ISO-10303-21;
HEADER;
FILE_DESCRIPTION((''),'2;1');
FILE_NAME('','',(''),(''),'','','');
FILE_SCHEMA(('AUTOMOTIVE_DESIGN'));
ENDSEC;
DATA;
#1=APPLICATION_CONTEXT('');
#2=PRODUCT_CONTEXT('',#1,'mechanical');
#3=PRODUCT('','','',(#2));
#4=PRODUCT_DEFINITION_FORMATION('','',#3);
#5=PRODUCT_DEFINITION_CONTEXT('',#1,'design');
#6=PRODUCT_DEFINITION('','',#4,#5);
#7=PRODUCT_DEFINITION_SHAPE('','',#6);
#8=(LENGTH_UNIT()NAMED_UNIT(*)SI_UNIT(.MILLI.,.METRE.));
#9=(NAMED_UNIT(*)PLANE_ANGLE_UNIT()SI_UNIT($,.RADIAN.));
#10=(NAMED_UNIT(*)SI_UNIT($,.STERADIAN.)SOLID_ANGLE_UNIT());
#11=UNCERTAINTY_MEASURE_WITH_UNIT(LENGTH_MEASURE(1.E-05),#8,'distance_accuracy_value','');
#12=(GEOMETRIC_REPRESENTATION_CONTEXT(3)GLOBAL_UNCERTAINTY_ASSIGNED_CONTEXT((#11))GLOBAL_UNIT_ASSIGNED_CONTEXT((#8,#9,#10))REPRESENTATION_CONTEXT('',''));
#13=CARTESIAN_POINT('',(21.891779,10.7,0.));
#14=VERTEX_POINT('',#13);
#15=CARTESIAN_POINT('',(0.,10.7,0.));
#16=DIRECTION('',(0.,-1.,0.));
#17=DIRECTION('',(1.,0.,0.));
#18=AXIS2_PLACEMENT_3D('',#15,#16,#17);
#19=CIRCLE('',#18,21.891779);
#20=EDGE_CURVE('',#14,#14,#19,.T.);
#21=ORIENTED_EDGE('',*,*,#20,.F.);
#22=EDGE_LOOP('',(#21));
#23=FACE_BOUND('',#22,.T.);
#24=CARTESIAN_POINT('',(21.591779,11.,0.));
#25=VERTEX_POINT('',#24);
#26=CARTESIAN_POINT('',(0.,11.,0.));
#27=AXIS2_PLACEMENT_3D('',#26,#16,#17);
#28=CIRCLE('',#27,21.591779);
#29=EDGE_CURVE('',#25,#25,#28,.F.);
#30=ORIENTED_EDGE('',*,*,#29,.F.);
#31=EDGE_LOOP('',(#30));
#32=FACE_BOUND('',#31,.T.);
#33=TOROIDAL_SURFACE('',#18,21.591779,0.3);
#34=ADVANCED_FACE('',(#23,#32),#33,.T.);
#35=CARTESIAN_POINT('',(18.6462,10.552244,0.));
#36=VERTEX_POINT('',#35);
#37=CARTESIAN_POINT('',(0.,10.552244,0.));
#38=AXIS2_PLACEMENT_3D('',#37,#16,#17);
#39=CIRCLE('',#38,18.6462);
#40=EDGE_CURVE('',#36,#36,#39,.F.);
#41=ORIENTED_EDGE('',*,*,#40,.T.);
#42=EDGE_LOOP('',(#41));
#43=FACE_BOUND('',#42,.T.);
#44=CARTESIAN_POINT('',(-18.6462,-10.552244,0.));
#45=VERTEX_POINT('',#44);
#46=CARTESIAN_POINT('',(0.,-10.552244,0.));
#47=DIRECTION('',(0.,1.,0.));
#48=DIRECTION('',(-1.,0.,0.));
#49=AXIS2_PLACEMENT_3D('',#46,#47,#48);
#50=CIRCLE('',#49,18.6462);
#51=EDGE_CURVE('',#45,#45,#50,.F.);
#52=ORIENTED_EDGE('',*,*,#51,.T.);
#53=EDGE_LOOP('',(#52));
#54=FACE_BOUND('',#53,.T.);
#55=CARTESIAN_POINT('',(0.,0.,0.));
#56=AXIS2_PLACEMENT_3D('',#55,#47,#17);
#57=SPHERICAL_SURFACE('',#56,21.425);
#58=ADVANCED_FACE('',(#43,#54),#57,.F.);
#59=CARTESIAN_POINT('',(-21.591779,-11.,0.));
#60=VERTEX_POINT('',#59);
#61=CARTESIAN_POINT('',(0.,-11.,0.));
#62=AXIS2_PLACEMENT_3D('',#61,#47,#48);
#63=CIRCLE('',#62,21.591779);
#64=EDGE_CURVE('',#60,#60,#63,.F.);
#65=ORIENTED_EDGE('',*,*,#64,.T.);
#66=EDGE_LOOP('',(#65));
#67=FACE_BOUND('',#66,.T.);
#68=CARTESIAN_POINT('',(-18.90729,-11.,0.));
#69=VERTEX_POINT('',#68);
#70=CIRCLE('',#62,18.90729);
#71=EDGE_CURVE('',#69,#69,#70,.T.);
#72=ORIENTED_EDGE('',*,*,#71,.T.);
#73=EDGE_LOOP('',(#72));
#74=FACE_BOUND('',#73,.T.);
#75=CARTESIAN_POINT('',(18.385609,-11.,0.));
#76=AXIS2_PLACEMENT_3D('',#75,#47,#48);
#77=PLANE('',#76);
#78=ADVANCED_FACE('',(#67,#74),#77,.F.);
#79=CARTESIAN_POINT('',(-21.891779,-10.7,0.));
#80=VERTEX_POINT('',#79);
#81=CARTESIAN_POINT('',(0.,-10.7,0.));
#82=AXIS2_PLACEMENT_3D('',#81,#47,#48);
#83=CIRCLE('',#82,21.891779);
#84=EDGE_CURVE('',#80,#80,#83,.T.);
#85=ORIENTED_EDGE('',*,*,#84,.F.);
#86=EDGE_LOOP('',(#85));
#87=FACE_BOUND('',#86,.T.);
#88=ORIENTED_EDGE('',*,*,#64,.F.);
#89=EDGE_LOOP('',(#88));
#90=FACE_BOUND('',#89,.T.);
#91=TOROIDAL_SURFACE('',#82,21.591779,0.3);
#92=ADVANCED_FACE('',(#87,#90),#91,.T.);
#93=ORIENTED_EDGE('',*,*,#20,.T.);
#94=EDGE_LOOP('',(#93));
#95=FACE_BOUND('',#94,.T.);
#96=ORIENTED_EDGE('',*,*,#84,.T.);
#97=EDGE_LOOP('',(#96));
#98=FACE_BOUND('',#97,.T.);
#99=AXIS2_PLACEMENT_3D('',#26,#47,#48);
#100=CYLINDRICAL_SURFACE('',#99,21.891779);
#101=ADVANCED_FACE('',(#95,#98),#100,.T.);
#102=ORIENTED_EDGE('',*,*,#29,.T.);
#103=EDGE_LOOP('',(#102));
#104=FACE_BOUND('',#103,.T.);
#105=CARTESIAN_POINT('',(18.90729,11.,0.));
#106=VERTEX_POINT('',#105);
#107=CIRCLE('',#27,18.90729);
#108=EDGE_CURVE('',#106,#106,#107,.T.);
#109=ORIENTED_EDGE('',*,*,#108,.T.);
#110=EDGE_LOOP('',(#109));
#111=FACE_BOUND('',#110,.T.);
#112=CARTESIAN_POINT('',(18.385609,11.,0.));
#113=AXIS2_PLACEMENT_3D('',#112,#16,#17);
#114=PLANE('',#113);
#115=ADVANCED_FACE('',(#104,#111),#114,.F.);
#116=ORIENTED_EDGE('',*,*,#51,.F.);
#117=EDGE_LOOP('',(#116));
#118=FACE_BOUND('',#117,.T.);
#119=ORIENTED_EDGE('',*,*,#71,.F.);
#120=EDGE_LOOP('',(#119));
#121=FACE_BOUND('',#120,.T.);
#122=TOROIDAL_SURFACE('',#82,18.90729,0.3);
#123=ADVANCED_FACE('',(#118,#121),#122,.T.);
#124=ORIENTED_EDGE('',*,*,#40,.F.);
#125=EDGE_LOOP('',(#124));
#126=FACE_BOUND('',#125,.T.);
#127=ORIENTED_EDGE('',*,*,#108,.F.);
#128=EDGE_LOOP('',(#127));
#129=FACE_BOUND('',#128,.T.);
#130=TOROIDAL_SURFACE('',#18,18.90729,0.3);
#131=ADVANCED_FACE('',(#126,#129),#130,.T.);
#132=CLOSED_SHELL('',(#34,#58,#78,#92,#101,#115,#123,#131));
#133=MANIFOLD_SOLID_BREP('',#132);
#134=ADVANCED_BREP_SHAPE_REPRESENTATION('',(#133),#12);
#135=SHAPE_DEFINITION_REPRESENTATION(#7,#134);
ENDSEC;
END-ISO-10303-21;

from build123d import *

# Parameters (mm, degrees)
FILLET1_R = 0.3


with BuildPart() as part:
    # Sketch1 → Revolve1 (revolve)
    with BuildSketch(Plane.XY):
        with BuildLine():
            Line((18.385609182, 11), (21.891779279, 11))
            Line((21.891779279, 11), (21.891779279, -11))
            Line((21.891779279, -11), (18.385609182, -11))
            ThreePointArc((18.385609182, -11), (21.425, 0), (18.385609182, 11))
        make_face()
    revolve(axis=Axis((0, 11, 0), (0, -1, 0)))

    # Fillet1
    fillet1_edges = [part.edges().sort_by_distance(p)[0] for p in [
        (-21.891779279, -11, 0),
        (-18.385609182, -11, 0),
        (-18.385609182, 11, 0),
        (-21.891779279, 11, 0),
    ]]
    fillet(fillet1_edges, radius=FILLET1_R)


solid = part.part
